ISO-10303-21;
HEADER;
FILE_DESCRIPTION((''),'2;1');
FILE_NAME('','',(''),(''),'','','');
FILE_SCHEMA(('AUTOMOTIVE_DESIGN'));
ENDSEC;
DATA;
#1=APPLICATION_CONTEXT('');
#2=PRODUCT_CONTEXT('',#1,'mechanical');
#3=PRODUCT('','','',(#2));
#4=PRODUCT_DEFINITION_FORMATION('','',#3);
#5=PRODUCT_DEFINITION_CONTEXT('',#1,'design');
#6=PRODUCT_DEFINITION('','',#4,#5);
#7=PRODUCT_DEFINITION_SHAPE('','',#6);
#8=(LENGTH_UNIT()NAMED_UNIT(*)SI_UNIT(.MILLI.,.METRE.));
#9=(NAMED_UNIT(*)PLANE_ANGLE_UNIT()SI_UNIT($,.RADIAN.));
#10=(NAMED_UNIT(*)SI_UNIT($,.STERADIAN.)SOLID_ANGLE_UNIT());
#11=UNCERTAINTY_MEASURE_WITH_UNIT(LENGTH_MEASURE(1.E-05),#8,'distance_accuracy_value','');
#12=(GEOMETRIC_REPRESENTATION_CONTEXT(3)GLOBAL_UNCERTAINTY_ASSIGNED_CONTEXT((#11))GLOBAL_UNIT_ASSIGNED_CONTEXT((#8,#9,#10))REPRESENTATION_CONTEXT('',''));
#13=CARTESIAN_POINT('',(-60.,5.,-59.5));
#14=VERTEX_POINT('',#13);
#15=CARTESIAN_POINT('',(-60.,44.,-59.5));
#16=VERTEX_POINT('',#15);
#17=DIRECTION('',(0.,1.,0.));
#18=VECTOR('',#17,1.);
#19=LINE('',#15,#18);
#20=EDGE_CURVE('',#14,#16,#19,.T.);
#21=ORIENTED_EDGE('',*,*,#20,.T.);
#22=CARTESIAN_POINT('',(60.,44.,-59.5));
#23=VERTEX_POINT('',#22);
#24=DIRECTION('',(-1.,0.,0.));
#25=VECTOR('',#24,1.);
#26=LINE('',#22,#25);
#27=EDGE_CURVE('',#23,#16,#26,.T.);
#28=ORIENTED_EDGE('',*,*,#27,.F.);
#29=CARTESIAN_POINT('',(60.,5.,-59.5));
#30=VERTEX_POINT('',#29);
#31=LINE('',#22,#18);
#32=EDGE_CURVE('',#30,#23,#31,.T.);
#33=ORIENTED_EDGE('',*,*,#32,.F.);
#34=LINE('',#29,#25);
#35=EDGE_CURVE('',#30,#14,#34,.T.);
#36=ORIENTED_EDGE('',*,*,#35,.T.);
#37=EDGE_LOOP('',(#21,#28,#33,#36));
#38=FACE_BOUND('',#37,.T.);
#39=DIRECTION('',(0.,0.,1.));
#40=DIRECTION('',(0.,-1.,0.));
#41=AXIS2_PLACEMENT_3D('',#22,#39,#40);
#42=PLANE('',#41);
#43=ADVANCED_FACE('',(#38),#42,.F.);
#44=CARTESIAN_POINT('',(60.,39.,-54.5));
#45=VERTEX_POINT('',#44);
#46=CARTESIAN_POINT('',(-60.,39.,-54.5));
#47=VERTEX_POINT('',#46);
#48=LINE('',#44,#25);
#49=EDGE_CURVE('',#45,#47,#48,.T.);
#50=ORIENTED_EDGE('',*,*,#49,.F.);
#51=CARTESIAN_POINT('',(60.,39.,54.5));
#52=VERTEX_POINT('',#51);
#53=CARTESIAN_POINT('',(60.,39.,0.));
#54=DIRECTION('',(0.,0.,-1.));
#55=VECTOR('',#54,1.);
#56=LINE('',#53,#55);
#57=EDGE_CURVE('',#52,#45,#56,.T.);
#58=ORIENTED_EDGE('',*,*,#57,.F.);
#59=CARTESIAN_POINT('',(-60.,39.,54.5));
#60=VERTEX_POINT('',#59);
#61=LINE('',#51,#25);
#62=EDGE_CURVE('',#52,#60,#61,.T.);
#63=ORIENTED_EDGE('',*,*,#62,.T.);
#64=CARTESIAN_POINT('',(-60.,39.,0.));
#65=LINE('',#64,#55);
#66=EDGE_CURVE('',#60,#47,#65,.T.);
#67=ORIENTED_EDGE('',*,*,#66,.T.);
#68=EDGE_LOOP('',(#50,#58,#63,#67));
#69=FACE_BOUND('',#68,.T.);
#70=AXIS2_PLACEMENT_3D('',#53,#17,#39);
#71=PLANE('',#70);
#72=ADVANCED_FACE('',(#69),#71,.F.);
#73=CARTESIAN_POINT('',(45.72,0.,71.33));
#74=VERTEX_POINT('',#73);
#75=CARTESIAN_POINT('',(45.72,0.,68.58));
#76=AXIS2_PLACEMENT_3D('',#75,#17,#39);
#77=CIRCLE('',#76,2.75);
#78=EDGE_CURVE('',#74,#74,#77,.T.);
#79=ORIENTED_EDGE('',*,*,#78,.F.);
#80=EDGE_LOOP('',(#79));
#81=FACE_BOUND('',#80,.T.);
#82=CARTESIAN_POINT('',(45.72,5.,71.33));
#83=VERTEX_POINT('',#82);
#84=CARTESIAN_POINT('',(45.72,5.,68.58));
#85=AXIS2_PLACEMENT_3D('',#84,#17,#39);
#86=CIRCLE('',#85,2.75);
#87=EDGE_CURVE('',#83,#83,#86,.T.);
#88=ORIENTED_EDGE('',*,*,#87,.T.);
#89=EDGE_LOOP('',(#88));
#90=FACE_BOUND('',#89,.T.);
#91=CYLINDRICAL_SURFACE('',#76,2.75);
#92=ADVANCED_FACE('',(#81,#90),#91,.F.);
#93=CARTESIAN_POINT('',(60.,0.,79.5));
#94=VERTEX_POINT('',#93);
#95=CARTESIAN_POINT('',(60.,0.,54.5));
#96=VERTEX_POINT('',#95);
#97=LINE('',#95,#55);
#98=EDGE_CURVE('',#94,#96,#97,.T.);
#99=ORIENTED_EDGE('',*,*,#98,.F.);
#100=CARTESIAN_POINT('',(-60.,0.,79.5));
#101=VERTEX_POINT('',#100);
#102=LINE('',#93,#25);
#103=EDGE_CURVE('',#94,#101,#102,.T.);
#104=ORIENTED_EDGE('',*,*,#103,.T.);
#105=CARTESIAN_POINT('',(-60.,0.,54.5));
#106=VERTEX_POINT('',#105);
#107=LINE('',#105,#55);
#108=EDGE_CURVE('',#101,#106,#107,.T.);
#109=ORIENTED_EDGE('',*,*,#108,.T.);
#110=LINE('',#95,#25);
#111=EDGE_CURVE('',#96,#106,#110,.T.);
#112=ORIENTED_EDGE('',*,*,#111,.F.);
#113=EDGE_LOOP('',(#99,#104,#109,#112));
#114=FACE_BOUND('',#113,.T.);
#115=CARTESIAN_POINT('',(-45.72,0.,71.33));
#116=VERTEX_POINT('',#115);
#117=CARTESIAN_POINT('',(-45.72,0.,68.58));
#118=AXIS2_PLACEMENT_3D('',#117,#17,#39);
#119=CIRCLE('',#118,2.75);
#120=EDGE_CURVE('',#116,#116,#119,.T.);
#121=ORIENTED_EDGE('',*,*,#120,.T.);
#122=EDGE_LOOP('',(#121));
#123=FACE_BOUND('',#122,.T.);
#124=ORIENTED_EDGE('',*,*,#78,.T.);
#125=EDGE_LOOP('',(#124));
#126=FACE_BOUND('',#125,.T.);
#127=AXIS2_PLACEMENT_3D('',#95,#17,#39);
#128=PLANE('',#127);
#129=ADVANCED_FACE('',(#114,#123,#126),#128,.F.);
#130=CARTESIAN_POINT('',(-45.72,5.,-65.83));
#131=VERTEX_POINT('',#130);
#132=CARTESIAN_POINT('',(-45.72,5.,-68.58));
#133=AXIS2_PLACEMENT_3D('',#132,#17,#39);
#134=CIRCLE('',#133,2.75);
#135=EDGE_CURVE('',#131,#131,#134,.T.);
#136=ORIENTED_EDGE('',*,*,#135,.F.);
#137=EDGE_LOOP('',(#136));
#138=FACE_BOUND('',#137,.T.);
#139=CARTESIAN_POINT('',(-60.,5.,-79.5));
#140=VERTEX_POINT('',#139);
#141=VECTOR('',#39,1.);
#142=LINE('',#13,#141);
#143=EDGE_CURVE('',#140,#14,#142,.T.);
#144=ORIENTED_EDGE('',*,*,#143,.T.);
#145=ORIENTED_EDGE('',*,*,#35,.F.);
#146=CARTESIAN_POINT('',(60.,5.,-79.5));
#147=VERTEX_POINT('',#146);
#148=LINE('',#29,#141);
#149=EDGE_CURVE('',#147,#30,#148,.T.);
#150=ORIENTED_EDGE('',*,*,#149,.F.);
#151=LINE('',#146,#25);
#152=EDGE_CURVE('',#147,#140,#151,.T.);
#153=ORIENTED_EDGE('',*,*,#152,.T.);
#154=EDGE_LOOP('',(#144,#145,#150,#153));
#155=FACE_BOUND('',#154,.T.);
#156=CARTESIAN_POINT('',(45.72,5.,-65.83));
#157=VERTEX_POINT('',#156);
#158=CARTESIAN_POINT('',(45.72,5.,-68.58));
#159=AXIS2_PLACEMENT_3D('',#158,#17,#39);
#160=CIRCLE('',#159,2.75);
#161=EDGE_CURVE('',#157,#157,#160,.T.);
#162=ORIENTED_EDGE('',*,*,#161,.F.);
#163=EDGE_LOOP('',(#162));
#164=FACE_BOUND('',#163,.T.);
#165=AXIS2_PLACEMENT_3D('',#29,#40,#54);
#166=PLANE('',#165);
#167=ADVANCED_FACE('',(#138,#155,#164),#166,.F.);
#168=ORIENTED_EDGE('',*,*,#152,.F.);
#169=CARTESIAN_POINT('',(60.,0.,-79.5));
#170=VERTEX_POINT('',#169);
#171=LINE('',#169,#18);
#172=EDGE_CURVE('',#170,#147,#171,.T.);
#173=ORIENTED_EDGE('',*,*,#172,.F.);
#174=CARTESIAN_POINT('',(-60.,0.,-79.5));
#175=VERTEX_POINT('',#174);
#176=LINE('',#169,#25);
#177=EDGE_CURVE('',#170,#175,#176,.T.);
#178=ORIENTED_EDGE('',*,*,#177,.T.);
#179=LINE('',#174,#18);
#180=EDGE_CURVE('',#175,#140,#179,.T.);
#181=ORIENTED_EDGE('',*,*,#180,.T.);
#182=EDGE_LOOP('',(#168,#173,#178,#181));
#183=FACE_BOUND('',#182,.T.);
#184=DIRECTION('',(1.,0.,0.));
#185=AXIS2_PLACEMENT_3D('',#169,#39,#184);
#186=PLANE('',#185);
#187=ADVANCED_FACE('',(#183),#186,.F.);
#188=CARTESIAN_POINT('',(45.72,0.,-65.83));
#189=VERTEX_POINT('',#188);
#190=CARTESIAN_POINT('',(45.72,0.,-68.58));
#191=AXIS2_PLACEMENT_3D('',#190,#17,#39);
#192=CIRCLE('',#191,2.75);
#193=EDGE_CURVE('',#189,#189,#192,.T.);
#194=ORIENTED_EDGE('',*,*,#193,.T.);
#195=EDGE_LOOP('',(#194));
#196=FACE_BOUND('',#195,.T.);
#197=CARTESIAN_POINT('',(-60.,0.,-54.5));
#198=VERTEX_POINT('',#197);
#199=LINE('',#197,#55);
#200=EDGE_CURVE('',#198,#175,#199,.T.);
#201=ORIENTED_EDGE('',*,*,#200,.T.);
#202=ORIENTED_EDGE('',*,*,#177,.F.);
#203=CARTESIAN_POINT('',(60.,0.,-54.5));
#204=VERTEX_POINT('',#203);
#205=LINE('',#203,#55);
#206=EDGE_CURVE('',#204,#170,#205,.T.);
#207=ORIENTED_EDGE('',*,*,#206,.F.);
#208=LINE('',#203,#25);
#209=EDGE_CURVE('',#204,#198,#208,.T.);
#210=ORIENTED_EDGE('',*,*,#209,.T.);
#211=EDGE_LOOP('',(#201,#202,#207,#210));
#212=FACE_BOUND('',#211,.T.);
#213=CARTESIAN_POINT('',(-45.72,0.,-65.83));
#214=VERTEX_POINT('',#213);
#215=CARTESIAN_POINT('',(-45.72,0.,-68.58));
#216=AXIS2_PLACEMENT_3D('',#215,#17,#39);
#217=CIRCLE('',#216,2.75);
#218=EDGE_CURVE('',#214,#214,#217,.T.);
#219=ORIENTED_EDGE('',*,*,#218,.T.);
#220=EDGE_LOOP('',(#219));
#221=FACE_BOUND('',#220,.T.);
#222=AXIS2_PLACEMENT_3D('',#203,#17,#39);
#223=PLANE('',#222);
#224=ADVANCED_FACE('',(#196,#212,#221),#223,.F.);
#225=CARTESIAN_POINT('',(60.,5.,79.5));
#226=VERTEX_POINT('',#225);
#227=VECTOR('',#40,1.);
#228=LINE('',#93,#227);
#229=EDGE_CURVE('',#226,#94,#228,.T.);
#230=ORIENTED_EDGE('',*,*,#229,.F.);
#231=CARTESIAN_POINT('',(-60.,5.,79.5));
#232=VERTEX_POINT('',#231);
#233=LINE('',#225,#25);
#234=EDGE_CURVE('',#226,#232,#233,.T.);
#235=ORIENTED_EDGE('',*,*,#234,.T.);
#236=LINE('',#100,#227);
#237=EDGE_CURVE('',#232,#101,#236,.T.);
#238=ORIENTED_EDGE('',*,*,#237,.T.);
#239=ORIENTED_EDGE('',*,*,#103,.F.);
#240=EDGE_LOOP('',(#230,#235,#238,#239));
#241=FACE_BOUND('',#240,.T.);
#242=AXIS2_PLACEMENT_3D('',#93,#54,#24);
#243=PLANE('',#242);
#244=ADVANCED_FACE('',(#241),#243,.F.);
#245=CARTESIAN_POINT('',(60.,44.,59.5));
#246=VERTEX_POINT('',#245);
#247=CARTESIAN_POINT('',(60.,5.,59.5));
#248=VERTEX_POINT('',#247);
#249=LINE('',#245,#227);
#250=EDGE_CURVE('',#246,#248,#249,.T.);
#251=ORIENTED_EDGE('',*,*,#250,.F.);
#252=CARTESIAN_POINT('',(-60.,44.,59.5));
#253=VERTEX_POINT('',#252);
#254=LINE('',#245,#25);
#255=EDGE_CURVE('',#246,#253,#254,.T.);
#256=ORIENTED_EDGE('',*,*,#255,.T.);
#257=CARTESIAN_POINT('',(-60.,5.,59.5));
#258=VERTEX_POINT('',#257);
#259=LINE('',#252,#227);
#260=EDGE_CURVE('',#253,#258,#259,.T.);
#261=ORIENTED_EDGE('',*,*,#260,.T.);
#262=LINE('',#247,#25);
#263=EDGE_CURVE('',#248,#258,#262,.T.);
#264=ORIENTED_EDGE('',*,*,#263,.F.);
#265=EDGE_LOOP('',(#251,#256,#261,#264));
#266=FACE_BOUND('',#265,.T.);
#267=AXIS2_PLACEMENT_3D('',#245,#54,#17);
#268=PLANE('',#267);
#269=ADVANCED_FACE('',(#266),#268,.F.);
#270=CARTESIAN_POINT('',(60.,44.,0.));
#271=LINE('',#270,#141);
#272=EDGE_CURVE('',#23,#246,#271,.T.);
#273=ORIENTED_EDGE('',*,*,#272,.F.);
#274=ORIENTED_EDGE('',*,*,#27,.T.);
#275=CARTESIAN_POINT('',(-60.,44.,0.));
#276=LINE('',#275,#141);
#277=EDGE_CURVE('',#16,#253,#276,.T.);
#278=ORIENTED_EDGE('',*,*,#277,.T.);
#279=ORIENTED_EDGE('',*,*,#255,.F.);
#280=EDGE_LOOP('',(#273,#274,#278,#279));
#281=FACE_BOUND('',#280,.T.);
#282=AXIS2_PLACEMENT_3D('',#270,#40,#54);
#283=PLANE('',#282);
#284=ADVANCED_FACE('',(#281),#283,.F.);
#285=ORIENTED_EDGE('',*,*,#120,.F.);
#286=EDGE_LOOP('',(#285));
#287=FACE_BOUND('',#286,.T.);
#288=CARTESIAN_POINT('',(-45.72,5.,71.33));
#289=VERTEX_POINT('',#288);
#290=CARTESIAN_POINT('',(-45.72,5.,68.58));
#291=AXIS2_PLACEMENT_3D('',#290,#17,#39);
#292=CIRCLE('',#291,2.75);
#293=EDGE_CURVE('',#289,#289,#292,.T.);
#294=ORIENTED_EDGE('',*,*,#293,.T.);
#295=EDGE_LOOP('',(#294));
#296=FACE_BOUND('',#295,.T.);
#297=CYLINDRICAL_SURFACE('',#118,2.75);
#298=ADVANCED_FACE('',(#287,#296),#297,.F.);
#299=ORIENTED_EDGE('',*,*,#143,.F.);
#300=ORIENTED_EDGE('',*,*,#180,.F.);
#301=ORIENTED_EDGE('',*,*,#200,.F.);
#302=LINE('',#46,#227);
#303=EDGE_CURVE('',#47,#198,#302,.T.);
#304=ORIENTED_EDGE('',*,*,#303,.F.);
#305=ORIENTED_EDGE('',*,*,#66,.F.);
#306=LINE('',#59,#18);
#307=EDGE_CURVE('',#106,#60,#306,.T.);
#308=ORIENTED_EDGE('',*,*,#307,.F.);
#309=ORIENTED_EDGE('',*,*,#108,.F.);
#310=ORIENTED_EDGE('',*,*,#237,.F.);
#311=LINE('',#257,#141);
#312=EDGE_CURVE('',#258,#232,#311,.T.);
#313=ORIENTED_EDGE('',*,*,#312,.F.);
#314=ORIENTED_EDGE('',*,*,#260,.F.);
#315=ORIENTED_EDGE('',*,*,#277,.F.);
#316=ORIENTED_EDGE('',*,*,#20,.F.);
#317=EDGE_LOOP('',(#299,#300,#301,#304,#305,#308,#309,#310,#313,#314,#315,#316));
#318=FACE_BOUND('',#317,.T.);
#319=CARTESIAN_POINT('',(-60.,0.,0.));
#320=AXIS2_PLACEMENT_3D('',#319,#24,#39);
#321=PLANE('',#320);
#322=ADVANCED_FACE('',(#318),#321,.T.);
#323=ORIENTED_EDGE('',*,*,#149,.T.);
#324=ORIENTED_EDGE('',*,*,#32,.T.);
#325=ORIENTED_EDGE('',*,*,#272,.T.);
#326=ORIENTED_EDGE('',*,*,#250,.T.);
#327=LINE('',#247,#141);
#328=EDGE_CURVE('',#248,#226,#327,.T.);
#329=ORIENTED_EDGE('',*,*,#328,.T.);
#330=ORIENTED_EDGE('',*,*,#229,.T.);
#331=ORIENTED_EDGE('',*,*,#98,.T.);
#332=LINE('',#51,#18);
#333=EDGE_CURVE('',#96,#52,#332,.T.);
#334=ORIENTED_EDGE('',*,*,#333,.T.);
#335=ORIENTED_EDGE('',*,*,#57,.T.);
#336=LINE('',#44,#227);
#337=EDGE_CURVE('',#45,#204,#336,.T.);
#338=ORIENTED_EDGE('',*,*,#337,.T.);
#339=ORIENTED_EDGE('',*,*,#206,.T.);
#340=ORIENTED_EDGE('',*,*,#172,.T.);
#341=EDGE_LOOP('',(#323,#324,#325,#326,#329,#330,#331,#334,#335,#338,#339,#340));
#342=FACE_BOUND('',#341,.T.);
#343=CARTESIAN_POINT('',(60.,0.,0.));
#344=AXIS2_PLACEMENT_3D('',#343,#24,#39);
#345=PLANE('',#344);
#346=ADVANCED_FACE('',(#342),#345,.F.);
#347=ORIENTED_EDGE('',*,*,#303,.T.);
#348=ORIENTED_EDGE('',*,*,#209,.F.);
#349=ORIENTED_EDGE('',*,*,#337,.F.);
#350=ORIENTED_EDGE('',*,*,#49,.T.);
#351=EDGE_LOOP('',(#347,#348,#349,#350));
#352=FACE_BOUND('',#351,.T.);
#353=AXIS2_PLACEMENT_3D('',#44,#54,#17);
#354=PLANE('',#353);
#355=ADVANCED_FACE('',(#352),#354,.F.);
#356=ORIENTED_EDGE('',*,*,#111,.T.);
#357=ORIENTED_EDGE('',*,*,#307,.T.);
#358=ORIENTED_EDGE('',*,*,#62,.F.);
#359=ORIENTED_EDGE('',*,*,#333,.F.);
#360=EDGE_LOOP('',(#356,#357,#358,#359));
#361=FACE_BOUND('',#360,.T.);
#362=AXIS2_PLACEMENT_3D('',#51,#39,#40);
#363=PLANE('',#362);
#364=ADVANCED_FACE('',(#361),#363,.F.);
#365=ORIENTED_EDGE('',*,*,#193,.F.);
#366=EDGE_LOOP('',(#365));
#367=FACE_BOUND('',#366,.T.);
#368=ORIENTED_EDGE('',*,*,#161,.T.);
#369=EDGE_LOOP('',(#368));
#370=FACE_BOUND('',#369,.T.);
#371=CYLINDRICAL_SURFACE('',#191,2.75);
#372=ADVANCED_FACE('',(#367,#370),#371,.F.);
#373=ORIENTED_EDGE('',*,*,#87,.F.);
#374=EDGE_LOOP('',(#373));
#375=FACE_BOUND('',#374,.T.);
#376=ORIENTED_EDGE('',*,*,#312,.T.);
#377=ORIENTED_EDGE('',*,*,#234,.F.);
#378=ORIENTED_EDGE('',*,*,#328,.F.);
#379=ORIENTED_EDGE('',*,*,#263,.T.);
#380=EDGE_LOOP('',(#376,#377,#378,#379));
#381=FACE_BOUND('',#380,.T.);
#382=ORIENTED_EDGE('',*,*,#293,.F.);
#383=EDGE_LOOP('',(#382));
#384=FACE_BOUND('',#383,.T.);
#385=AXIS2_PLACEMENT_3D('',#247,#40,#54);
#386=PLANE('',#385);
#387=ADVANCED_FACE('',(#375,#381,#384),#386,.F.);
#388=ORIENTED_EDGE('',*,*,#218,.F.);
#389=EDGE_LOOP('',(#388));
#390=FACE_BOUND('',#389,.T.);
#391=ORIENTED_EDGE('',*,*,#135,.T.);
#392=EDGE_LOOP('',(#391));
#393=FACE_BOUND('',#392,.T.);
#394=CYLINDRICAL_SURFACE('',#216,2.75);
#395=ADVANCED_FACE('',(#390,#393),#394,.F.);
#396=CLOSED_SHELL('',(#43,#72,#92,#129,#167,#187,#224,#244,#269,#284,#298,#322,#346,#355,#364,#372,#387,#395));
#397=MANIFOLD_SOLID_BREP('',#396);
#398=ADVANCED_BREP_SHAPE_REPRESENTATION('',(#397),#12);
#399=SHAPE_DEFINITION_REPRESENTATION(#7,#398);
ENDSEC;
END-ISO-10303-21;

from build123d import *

# Parameters (mm, degrees)
BOSS_EXTRUDE1_DEPTH = 60
SKETCH2_R           = 2.75
CUT_EXTRUDE1_DEPTH  = 107.963778916


with BuildPart() as part:
    # Sketch1 → Boss-Extrude1 (new, symmetric)
    with BuildSketch(Plane.YZ):
        Polygon((39, 0), (39, 54.5), (0, 54.5), (0, 79.5), (5, 79.5), (5, 59.5), (44, 59.5), (44, 0), (44, -59.5), (5, -59.5), (5, -79.5), (0, -79.5), (0, -54.5), (39, -54.5), align=None)
    extrude(amount=BOSS_EXTRUDE1_DEPTH, both=True)

    # Sketch2 → Cut-Extrude1 (cut, through all)
    with BuildSketch(Plane(origin=(0, 5, 0), x_dir=(-1, 0, 0), z_dir=(0, 1, 0))):
        with Locations(Location((-45.72, 68.58, 0), (0, 0, 90))):
            Circle(SKETCH2_R)
        with Locations(Location((45.72, 68.58, 0), (0, 0, 90))):
            Circle(SKETCH2_R)
        with Locations(Location((45.72, -68.58, 0), (0, 0, 90))):
            Circle(SKETCH2_R)
        with Locations(Location((-45.72, -68.58, 0), (0, 0, 90))):
            Circle(SKETCH2_R)
    extrude(amount=-CUT_EXTRUDE1_DEPTH, mode=Mode.SUBTRACT)


solid = part.part
